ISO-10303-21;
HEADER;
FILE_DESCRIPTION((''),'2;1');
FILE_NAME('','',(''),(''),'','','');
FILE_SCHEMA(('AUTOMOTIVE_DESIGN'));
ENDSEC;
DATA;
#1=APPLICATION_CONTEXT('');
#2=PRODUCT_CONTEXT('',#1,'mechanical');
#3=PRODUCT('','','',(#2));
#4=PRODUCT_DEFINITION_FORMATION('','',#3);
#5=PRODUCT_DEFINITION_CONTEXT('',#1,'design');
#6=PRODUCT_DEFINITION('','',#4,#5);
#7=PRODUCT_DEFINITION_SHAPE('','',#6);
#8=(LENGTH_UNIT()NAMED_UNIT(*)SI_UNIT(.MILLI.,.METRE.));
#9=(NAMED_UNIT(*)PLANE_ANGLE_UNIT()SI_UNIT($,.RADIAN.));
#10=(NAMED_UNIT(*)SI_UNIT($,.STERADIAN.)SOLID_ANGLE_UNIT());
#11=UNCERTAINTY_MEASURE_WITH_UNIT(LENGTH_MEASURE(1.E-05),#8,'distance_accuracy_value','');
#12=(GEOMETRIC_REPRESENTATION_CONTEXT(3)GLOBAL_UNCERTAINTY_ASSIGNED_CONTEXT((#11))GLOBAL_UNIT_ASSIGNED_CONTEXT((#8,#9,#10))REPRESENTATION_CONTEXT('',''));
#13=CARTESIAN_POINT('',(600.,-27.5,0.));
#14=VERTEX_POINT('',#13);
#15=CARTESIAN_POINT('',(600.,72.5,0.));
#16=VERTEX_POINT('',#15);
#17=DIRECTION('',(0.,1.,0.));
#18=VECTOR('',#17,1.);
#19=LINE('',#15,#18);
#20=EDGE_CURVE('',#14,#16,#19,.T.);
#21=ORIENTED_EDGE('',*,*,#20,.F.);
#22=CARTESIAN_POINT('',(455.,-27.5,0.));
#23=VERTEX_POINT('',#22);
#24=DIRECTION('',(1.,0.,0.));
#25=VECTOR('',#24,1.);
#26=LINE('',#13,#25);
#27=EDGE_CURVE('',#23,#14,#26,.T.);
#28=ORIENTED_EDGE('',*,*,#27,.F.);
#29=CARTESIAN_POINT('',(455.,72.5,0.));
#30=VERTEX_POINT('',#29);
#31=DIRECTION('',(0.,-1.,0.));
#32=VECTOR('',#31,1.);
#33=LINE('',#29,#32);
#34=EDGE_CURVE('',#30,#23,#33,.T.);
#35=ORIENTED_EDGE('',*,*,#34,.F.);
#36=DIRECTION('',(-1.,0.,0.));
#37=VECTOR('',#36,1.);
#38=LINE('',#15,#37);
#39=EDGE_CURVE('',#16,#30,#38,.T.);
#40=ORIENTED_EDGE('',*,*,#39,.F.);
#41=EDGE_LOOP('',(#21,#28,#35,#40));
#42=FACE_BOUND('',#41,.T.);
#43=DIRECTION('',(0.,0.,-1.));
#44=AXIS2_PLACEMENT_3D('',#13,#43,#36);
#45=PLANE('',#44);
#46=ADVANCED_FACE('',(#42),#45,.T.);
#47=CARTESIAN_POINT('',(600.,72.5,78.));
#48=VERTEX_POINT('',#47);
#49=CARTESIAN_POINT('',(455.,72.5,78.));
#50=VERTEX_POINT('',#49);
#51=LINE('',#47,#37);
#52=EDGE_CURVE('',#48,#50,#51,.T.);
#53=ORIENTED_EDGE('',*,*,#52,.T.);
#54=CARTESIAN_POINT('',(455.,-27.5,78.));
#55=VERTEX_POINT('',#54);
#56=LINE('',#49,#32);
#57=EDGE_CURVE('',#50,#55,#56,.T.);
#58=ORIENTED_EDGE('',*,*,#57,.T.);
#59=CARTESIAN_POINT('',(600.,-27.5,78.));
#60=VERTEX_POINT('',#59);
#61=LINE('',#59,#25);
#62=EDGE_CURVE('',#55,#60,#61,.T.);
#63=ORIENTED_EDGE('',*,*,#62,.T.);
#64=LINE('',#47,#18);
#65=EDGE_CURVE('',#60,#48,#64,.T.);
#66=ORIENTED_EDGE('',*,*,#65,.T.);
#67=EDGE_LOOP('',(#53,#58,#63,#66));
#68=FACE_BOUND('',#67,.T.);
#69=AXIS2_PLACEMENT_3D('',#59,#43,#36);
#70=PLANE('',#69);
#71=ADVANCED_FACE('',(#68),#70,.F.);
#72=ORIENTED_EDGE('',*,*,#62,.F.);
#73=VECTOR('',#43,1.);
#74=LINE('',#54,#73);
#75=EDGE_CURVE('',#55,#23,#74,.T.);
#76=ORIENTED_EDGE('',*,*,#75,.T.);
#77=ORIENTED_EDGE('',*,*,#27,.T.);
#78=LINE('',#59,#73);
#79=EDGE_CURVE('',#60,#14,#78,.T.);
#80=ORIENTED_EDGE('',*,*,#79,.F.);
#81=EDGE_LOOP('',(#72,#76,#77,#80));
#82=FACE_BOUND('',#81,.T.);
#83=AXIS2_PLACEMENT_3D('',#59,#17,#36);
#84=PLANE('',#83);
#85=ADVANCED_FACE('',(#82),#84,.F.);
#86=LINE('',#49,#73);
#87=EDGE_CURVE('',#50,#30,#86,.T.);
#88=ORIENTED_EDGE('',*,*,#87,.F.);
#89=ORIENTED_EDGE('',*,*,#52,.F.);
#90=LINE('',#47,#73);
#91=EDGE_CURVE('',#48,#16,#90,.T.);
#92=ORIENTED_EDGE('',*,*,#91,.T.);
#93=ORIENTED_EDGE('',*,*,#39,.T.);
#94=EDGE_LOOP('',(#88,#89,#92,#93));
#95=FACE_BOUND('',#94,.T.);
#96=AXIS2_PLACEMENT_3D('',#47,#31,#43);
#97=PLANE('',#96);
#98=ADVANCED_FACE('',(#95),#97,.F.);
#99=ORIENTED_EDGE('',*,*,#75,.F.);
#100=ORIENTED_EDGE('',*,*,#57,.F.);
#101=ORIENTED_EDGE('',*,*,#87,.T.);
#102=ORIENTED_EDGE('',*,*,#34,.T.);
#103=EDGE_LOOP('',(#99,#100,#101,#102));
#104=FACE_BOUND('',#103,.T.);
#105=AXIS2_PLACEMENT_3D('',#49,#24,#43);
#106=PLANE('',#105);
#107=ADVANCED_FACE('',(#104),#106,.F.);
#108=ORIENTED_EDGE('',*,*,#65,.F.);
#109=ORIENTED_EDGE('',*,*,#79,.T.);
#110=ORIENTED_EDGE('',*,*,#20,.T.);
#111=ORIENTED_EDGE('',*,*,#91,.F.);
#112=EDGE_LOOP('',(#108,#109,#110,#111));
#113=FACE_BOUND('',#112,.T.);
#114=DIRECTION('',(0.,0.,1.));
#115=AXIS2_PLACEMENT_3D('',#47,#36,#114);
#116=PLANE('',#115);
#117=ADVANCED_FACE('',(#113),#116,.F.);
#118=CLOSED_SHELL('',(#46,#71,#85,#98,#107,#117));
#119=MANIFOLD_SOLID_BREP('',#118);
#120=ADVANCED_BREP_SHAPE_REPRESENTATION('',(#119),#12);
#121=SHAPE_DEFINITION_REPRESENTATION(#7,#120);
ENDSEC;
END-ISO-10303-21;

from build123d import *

# Parameters (mm, degrees)
SKETCH1_W           = 145
SKETCH1_H           = 100
BOSS_EXTRUDE1_DEPTH = 78


with BuildPart() as part:
    # Sketch1 → Boss-Extrude1 (new body)
    with BuildSketch(Plane.XY):
        with Locations((527.5, 22.5)):
            Rectangle(SKETCH1_W, SKETCH1_H)
    extrude(amount=BOSS_EXTRUDE1_DEPTH)


solid = part.part
